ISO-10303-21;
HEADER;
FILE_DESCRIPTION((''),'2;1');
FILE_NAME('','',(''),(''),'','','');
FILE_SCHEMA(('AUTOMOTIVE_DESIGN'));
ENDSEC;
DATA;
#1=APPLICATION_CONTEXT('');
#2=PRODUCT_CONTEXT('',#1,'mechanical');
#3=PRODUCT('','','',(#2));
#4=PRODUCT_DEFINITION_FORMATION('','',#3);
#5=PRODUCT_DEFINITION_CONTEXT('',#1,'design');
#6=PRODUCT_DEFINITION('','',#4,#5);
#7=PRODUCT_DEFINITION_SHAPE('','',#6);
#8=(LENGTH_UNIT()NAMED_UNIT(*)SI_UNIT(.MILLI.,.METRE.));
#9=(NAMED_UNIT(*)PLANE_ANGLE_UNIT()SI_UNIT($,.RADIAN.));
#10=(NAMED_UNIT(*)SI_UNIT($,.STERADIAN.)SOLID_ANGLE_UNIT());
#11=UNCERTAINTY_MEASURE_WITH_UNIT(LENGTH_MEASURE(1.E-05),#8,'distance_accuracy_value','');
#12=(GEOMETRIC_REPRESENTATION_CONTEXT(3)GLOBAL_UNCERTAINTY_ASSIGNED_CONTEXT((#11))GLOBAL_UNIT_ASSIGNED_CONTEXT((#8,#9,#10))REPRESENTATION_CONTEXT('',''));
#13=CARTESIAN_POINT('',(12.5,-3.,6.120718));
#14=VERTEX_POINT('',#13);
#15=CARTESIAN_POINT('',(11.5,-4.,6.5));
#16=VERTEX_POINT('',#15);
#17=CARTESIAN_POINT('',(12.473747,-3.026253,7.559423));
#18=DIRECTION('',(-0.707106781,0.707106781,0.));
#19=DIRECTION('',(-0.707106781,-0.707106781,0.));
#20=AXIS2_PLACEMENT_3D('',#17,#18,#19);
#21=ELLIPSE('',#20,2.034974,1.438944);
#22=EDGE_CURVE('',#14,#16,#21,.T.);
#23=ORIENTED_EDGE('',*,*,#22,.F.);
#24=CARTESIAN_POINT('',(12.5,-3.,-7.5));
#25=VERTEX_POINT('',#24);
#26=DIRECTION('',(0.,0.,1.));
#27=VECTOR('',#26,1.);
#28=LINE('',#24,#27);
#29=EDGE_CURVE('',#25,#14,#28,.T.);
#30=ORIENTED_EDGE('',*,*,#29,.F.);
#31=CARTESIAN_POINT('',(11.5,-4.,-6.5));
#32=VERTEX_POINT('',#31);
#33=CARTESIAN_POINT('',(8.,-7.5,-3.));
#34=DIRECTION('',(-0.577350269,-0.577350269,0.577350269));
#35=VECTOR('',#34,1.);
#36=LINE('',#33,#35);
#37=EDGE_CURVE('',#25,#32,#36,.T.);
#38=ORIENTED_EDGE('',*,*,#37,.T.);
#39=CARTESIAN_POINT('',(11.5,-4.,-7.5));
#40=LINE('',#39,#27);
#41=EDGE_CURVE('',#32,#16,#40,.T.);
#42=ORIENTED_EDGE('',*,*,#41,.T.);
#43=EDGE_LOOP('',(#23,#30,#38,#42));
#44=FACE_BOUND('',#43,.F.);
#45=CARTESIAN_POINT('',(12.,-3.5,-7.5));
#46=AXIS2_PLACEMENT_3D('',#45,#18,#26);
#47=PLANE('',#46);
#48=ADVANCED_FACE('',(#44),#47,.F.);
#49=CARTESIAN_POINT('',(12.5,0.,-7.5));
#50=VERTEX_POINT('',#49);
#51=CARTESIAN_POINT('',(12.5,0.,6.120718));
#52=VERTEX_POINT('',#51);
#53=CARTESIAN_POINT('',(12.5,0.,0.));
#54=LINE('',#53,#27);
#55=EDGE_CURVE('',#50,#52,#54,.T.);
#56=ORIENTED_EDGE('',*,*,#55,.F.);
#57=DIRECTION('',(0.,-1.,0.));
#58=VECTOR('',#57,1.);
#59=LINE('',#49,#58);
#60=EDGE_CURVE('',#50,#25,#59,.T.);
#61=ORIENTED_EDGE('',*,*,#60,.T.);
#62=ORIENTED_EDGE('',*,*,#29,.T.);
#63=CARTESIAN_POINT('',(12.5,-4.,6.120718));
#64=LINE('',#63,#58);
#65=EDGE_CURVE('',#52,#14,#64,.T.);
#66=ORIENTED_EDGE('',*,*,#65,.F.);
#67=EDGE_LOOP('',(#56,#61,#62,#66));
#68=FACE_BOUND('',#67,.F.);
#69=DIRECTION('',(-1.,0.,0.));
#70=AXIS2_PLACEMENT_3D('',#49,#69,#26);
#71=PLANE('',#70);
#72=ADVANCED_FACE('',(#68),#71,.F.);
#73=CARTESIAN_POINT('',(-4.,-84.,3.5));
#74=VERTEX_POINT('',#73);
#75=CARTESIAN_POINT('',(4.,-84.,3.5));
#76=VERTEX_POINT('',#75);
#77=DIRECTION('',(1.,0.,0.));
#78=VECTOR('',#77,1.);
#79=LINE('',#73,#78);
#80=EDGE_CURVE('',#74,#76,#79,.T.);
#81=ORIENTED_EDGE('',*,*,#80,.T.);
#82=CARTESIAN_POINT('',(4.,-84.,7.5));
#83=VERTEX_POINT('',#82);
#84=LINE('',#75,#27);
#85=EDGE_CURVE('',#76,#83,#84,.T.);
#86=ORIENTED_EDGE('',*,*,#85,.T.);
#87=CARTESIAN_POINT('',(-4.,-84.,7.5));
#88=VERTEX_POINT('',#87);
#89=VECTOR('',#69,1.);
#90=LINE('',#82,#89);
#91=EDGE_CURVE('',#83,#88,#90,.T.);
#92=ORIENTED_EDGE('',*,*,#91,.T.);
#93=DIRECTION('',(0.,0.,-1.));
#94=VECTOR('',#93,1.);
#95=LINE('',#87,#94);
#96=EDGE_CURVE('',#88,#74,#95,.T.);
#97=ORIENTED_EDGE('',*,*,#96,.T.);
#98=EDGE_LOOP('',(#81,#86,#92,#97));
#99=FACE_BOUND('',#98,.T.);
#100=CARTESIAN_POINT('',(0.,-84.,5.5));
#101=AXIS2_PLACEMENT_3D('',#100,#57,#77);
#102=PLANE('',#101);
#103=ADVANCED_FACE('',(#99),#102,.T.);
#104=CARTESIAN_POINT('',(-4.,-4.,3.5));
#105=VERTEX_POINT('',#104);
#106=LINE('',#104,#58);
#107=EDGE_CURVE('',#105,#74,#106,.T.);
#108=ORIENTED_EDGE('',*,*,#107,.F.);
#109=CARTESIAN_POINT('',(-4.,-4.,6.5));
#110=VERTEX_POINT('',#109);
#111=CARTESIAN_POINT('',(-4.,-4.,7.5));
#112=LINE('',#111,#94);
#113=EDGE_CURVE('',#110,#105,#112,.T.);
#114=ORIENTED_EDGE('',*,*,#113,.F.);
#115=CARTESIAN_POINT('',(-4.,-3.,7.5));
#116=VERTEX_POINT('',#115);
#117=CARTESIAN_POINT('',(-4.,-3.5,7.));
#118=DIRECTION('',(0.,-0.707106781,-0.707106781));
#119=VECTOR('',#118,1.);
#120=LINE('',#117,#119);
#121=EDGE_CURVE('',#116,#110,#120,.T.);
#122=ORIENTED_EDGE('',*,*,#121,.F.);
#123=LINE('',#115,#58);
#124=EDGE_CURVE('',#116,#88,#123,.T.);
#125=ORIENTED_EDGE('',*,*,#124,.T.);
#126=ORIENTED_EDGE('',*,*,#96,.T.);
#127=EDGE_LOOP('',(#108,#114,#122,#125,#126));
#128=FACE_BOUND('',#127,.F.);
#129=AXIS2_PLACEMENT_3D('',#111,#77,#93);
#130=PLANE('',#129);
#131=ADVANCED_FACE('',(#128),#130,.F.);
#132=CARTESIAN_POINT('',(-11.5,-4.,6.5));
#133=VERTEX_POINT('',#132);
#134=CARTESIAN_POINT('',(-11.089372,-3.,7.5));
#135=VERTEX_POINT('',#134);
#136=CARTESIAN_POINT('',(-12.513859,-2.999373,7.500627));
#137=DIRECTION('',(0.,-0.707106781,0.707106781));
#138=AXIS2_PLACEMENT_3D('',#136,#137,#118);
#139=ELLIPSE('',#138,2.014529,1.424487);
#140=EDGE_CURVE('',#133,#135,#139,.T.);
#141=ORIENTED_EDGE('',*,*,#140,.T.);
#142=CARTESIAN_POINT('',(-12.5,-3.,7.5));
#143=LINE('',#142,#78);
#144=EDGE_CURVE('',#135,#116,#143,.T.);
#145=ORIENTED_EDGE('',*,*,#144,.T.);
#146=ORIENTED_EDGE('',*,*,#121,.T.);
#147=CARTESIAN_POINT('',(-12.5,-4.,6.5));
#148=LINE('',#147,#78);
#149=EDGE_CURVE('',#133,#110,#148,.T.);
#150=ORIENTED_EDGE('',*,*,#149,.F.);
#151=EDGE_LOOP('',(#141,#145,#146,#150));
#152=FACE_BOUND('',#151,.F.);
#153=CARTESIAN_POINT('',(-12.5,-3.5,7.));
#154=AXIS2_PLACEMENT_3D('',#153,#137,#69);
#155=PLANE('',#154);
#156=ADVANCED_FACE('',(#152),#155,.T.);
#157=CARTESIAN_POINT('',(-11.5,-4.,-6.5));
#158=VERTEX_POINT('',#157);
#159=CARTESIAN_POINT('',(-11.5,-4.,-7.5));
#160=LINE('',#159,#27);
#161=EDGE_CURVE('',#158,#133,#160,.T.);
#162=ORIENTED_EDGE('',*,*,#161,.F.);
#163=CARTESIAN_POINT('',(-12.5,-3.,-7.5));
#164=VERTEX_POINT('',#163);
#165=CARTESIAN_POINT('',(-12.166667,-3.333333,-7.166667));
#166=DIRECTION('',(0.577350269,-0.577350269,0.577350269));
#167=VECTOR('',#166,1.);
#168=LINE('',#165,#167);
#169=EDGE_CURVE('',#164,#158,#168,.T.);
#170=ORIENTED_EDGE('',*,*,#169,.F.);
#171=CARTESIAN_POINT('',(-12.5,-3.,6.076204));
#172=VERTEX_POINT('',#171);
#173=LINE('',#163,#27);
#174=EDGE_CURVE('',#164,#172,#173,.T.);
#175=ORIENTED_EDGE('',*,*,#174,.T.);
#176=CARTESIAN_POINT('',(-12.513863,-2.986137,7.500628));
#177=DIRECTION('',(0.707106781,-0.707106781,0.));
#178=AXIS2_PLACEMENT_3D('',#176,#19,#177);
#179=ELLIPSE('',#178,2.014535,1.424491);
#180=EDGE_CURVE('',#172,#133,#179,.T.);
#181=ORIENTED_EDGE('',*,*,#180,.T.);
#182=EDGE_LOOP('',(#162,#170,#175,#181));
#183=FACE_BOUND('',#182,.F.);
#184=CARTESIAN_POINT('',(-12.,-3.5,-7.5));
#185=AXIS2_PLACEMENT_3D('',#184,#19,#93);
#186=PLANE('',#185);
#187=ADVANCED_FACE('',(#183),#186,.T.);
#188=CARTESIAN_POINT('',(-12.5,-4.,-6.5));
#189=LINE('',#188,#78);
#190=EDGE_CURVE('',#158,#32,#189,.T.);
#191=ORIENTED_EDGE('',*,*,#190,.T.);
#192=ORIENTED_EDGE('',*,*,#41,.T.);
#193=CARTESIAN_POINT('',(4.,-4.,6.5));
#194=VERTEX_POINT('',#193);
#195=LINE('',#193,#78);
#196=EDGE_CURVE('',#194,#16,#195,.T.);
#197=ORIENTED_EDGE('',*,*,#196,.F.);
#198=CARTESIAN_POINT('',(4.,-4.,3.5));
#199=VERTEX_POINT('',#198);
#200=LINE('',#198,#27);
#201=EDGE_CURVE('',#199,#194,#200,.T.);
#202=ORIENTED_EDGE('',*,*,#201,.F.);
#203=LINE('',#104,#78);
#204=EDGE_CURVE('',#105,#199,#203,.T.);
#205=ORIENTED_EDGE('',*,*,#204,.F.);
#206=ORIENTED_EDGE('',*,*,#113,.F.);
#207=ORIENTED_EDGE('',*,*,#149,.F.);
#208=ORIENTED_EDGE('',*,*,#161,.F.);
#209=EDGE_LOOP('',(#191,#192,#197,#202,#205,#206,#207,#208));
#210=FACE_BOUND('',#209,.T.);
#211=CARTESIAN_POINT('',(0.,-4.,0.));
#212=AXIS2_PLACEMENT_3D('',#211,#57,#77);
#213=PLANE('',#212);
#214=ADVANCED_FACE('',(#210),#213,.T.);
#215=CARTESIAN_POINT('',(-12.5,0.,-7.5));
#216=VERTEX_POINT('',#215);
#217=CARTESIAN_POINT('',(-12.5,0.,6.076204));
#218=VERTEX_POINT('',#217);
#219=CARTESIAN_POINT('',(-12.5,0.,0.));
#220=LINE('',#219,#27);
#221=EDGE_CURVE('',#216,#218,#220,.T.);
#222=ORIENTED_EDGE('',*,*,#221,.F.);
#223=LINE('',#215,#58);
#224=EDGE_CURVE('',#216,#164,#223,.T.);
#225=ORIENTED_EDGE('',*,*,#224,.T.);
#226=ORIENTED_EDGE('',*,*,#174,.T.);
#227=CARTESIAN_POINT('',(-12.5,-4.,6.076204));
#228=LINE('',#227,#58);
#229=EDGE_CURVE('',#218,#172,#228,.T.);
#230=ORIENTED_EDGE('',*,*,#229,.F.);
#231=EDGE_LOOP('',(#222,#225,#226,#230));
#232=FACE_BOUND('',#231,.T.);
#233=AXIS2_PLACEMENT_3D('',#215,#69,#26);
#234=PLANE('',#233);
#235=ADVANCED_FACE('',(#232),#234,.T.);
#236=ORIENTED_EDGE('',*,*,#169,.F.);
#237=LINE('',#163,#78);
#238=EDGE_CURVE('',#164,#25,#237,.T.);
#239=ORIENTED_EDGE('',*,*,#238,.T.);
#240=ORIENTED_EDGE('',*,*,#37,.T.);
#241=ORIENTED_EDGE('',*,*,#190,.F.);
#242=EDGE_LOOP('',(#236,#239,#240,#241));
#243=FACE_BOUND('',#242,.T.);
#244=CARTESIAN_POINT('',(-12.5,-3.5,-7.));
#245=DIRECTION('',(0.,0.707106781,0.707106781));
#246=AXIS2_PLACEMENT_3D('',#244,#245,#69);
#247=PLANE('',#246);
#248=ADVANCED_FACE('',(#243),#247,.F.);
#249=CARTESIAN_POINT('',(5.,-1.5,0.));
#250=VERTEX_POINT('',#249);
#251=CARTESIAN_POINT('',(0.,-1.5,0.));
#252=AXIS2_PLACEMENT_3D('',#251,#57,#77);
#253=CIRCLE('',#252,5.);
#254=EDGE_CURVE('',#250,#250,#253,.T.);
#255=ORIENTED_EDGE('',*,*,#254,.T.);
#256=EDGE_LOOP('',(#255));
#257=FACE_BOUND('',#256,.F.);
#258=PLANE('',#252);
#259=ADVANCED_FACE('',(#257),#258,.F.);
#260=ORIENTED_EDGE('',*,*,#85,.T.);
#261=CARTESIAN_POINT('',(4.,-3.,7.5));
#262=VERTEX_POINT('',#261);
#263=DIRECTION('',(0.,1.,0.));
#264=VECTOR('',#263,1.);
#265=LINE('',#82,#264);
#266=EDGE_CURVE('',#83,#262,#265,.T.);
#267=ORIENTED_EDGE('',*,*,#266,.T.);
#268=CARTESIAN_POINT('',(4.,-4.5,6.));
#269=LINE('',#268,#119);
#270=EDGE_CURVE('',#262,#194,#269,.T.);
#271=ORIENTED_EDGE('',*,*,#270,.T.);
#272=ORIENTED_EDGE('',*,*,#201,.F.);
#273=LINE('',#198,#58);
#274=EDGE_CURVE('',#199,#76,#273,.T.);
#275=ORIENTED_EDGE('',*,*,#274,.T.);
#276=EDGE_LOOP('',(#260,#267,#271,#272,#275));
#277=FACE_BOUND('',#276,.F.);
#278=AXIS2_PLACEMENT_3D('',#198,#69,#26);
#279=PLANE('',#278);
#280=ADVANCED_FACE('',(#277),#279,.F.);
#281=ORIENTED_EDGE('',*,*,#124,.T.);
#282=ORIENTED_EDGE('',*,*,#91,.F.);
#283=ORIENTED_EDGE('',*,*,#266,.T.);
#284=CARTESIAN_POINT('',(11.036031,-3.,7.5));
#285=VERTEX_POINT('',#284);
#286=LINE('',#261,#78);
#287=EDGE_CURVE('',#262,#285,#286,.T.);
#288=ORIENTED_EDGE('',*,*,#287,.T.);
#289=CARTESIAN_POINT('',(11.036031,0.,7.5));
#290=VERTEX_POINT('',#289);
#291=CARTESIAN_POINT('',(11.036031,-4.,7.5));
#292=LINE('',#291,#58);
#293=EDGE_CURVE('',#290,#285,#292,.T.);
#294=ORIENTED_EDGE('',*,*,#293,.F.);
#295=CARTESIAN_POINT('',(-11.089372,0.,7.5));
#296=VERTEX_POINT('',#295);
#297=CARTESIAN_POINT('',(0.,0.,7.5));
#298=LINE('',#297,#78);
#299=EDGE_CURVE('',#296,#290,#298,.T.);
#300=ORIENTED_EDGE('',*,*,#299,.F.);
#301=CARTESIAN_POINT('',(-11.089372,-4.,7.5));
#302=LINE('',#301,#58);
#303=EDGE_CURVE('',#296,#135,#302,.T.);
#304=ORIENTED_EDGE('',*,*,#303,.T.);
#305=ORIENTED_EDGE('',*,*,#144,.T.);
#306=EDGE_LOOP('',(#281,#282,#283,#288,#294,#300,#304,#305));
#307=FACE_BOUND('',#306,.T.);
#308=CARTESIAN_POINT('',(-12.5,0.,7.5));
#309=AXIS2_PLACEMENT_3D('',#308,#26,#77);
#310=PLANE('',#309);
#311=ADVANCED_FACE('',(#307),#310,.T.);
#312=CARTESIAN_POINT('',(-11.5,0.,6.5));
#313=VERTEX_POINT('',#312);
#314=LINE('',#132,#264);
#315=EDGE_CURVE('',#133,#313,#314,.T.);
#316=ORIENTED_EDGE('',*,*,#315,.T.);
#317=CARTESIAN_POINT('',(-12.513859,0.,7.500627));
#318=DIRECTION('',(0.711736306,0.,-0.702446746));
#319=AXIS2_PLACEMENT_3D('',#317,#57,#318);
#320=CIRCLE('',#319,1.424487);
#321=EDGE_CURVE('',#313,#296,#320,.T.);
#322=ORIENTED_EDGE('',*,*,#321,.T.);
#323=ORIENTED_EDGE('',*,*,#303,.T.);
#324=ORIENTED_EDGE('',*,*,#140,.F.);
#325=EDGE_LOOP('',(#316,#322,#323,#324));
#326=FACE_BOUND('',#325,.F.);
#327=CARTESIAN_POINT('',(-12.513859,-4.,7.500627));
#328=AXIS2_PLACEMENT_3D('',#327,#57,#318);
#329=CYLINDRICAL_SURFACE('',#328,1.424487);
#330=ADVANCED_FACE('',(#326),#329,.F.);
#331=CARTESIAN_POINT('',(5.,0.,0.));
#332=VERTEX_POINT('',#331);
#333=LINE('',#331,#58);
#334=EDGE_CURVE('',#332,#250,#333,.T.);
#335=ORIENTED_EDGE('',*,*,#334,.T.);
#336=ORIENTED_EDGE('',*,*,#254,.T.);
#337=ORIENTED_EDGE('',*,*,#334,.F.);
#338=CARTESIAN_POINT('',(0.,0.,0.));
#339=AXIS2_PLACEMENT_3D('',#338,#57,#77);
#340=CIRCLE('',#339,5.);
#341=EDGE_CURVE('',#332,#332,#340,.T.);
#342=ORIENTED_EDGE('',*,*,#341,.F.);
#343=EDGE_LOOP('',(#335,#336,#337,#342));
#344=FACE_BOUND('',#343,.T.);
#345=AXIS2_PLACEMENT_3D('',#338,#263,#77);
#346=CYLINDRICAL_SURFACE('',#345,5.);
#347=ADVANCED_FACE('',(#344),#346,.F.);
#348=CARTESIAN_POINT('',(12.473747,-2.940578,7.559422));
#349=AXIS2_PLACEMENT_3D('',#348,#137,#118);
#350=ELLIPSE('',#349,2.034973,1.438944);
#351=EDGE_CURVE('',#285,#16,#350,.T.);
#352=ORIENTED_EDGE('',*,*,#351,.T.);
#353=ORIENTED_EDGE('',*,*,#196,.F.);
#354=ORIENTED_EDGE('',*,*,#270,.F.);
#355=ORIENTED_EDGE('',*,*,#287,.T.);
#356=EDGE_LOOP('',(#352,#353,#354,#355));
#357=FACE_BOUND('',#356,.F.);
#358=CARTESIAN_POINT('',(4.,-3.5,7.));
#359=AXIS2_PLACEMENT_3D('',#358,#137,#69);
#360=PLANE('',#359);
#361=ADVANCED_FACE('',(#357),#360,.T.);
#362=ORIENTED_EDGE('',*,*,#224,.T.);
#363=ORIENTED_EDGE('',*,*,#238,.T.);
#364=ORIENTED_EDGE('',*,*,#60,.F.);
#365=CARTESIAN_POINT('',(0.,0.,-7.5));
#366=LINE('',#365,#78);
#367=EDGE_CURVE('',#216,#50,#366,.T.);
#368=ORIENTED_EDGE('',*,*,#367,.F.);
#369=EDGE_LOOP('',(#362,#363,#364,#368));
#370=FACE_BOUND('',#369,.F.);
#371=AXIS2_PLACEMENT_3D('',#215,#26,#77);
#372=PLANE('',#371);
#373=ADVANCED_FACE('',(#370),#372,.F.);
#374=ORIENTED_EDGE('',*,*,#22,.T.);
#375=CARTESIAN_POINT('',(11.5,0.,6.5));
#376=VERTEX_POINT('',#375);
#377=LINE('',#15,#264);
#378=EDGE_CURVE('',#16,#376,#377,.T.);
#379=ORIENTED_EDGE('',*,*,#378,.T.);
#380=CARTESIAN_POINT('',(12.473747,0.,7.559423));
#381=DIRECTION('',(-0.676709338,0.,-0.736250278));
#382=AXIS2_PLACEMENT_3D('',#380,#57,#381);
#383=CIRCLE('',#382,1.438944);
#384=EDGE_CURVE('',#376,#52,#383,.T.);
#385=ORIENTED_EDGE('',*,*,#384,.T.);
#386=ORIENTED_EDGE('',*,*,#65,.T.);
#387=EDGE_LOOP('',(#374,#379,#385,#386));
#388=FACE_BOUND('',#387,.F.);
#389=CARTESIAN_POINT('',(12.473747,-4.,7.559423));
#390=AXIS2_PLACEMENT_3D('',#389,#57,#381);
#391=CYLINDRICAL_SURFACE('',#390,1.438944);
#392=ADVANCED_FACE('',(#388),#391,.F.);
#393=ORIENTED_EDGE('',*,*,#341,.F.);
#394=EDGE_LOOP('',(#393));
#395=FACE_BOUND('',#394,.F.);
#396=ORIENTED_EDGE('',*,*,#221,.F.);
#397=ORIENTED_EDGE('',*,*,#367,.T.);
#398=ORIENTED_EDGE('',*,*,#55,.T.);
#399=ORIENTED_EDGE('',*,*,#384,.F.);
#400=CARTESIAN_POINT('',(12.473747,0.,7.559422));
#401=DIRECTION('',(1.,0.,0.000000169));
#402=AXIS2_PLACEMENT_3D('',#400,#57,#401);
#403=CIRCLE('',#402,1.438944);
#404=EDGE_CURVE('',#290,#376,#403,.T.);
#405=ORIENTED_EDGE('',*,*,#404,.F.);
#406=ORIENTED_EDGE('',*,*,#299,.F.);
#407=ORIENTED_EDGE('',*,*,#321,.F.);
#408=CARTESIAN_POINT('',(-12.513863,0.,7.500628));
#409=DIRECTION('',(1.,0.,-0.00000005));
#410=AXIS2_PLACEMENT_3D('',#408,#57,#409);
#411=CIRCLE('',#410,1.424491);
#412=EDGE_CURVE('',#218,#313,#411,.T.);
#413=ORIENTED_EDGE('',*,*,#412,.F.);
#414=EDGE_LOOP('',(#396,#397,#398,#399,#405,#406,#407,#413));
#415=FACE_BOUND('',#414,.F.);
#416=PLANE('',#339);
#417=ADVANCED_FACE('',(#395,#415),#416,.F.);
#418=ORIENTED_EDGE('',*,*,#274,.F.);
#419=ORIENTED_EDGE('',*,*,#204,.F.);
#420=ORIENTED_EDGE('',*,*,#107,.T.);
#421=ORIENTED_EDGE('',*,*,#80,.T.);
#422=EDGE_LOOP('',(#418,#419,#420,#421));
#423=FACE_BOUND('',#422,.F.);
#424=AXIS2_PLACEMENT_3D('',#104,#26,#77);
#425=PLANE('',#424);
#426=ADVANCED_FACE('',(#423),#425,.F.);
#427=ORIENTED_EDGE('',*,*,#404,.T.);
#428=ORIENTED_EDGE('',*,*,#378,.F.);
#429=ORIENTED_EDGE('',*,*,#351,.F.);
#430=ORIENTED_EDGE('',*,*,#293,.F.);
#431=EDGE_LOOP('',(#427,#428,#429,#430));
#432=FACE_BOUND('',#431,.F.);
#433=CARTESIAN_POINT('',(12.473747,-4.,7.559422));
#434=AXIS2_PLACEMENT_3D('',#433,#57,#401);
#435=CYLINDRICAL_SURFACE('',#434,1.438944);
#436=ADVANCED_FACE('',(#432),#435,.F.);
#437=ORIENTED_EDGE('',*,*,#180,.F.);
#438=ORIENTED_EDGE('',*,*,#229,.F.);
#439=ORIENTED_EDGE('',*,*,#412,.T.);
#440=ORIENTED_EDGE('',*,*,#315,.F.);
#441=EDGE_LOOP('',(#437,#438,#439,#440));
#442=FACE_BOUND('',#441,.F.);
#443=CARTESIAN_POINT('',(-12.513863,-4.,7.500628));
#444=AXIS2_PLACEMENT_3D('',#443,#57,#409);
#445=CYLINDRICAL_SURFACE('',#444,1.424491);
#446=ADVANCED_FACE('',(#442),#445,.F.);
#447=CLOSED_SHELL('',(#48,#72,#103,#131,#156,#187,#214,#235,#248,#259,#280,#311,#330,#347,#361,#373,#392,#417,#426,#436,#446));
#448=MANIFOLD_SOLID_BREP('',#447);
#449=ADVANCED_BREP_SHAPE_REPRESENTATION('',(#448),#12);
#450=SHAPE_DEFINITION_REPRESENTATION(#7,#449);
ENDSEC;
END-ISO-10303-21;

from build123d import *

# Parameters (mm, degrees)
F0_W     = 25
F0_H     = 15
F1_DEPTH = 4
F2_R     = 5
F3_DEPTH = 1.5
F5_DEPTH = 80
F6_SIZE  = 1
F8_DEPTH = 25


with BuildPart() as f1:
    # F0 (on Front) → F1 (new body)
    with BuildSketch(Plane.XZ):
        Rectangle(F0_W, F0_H)
    extrude(amount=F1_DEPTH)

    # F2 (on Front) → F3 (cut)
    with BuildSketch(Plane.XZ):
        Circle(F2_R)
    extrude(amount=F3_DEPTH, mode=Mode.SUBTRACT)

    # F4 (on face) → F5 (join)
    with BuildSketch(Plane.XZ.offset(4)):
        Polygon((4, 7.5), (0, 7.5), (-4, 7.5), (-4, 3.5), (4, 3.5), align=None)
    extrude(amount=F5_DEPTH)

    # F6
    f6_edges = [f1.edges().sort_by_distance(p)[0] for p in [
        (8.25, -4, 7.5),
        (-8.25, -4, 7.5),
        (-12.5, -4, 0),
        (0, -4, -7.5),
        (12.5, -4, 0),
    ]]
    chamfer(f6_edges, length=F6_SIZE)

    # F7 (on face) → F8 (cut)
    with BuildSketch(Plane.XZ.offset(4)):
        with BuildLine():
            ThreePointArc((13.912691, 7.559422), (11.895218, 8.876943), (11.5, 6.5))
            ThreePointArc((11.5, 6.5), (13.052276, 6.241901), (13.912691, 7.559422))
        make_face()
        with BuildLine():
            ThreePointArc((-11.5, 6.5), (-11.196021, 6.959825), (-11.089372, 7.500628))
            ThreePointArc((-11.089372, 7.500628), (-13.831705, 8.041431), (-11.5, 6.5))
        make_face()
    extrude(amount=-F8_DEPTH, mode=Mode.SUBTRACT)


solid = f1.part
